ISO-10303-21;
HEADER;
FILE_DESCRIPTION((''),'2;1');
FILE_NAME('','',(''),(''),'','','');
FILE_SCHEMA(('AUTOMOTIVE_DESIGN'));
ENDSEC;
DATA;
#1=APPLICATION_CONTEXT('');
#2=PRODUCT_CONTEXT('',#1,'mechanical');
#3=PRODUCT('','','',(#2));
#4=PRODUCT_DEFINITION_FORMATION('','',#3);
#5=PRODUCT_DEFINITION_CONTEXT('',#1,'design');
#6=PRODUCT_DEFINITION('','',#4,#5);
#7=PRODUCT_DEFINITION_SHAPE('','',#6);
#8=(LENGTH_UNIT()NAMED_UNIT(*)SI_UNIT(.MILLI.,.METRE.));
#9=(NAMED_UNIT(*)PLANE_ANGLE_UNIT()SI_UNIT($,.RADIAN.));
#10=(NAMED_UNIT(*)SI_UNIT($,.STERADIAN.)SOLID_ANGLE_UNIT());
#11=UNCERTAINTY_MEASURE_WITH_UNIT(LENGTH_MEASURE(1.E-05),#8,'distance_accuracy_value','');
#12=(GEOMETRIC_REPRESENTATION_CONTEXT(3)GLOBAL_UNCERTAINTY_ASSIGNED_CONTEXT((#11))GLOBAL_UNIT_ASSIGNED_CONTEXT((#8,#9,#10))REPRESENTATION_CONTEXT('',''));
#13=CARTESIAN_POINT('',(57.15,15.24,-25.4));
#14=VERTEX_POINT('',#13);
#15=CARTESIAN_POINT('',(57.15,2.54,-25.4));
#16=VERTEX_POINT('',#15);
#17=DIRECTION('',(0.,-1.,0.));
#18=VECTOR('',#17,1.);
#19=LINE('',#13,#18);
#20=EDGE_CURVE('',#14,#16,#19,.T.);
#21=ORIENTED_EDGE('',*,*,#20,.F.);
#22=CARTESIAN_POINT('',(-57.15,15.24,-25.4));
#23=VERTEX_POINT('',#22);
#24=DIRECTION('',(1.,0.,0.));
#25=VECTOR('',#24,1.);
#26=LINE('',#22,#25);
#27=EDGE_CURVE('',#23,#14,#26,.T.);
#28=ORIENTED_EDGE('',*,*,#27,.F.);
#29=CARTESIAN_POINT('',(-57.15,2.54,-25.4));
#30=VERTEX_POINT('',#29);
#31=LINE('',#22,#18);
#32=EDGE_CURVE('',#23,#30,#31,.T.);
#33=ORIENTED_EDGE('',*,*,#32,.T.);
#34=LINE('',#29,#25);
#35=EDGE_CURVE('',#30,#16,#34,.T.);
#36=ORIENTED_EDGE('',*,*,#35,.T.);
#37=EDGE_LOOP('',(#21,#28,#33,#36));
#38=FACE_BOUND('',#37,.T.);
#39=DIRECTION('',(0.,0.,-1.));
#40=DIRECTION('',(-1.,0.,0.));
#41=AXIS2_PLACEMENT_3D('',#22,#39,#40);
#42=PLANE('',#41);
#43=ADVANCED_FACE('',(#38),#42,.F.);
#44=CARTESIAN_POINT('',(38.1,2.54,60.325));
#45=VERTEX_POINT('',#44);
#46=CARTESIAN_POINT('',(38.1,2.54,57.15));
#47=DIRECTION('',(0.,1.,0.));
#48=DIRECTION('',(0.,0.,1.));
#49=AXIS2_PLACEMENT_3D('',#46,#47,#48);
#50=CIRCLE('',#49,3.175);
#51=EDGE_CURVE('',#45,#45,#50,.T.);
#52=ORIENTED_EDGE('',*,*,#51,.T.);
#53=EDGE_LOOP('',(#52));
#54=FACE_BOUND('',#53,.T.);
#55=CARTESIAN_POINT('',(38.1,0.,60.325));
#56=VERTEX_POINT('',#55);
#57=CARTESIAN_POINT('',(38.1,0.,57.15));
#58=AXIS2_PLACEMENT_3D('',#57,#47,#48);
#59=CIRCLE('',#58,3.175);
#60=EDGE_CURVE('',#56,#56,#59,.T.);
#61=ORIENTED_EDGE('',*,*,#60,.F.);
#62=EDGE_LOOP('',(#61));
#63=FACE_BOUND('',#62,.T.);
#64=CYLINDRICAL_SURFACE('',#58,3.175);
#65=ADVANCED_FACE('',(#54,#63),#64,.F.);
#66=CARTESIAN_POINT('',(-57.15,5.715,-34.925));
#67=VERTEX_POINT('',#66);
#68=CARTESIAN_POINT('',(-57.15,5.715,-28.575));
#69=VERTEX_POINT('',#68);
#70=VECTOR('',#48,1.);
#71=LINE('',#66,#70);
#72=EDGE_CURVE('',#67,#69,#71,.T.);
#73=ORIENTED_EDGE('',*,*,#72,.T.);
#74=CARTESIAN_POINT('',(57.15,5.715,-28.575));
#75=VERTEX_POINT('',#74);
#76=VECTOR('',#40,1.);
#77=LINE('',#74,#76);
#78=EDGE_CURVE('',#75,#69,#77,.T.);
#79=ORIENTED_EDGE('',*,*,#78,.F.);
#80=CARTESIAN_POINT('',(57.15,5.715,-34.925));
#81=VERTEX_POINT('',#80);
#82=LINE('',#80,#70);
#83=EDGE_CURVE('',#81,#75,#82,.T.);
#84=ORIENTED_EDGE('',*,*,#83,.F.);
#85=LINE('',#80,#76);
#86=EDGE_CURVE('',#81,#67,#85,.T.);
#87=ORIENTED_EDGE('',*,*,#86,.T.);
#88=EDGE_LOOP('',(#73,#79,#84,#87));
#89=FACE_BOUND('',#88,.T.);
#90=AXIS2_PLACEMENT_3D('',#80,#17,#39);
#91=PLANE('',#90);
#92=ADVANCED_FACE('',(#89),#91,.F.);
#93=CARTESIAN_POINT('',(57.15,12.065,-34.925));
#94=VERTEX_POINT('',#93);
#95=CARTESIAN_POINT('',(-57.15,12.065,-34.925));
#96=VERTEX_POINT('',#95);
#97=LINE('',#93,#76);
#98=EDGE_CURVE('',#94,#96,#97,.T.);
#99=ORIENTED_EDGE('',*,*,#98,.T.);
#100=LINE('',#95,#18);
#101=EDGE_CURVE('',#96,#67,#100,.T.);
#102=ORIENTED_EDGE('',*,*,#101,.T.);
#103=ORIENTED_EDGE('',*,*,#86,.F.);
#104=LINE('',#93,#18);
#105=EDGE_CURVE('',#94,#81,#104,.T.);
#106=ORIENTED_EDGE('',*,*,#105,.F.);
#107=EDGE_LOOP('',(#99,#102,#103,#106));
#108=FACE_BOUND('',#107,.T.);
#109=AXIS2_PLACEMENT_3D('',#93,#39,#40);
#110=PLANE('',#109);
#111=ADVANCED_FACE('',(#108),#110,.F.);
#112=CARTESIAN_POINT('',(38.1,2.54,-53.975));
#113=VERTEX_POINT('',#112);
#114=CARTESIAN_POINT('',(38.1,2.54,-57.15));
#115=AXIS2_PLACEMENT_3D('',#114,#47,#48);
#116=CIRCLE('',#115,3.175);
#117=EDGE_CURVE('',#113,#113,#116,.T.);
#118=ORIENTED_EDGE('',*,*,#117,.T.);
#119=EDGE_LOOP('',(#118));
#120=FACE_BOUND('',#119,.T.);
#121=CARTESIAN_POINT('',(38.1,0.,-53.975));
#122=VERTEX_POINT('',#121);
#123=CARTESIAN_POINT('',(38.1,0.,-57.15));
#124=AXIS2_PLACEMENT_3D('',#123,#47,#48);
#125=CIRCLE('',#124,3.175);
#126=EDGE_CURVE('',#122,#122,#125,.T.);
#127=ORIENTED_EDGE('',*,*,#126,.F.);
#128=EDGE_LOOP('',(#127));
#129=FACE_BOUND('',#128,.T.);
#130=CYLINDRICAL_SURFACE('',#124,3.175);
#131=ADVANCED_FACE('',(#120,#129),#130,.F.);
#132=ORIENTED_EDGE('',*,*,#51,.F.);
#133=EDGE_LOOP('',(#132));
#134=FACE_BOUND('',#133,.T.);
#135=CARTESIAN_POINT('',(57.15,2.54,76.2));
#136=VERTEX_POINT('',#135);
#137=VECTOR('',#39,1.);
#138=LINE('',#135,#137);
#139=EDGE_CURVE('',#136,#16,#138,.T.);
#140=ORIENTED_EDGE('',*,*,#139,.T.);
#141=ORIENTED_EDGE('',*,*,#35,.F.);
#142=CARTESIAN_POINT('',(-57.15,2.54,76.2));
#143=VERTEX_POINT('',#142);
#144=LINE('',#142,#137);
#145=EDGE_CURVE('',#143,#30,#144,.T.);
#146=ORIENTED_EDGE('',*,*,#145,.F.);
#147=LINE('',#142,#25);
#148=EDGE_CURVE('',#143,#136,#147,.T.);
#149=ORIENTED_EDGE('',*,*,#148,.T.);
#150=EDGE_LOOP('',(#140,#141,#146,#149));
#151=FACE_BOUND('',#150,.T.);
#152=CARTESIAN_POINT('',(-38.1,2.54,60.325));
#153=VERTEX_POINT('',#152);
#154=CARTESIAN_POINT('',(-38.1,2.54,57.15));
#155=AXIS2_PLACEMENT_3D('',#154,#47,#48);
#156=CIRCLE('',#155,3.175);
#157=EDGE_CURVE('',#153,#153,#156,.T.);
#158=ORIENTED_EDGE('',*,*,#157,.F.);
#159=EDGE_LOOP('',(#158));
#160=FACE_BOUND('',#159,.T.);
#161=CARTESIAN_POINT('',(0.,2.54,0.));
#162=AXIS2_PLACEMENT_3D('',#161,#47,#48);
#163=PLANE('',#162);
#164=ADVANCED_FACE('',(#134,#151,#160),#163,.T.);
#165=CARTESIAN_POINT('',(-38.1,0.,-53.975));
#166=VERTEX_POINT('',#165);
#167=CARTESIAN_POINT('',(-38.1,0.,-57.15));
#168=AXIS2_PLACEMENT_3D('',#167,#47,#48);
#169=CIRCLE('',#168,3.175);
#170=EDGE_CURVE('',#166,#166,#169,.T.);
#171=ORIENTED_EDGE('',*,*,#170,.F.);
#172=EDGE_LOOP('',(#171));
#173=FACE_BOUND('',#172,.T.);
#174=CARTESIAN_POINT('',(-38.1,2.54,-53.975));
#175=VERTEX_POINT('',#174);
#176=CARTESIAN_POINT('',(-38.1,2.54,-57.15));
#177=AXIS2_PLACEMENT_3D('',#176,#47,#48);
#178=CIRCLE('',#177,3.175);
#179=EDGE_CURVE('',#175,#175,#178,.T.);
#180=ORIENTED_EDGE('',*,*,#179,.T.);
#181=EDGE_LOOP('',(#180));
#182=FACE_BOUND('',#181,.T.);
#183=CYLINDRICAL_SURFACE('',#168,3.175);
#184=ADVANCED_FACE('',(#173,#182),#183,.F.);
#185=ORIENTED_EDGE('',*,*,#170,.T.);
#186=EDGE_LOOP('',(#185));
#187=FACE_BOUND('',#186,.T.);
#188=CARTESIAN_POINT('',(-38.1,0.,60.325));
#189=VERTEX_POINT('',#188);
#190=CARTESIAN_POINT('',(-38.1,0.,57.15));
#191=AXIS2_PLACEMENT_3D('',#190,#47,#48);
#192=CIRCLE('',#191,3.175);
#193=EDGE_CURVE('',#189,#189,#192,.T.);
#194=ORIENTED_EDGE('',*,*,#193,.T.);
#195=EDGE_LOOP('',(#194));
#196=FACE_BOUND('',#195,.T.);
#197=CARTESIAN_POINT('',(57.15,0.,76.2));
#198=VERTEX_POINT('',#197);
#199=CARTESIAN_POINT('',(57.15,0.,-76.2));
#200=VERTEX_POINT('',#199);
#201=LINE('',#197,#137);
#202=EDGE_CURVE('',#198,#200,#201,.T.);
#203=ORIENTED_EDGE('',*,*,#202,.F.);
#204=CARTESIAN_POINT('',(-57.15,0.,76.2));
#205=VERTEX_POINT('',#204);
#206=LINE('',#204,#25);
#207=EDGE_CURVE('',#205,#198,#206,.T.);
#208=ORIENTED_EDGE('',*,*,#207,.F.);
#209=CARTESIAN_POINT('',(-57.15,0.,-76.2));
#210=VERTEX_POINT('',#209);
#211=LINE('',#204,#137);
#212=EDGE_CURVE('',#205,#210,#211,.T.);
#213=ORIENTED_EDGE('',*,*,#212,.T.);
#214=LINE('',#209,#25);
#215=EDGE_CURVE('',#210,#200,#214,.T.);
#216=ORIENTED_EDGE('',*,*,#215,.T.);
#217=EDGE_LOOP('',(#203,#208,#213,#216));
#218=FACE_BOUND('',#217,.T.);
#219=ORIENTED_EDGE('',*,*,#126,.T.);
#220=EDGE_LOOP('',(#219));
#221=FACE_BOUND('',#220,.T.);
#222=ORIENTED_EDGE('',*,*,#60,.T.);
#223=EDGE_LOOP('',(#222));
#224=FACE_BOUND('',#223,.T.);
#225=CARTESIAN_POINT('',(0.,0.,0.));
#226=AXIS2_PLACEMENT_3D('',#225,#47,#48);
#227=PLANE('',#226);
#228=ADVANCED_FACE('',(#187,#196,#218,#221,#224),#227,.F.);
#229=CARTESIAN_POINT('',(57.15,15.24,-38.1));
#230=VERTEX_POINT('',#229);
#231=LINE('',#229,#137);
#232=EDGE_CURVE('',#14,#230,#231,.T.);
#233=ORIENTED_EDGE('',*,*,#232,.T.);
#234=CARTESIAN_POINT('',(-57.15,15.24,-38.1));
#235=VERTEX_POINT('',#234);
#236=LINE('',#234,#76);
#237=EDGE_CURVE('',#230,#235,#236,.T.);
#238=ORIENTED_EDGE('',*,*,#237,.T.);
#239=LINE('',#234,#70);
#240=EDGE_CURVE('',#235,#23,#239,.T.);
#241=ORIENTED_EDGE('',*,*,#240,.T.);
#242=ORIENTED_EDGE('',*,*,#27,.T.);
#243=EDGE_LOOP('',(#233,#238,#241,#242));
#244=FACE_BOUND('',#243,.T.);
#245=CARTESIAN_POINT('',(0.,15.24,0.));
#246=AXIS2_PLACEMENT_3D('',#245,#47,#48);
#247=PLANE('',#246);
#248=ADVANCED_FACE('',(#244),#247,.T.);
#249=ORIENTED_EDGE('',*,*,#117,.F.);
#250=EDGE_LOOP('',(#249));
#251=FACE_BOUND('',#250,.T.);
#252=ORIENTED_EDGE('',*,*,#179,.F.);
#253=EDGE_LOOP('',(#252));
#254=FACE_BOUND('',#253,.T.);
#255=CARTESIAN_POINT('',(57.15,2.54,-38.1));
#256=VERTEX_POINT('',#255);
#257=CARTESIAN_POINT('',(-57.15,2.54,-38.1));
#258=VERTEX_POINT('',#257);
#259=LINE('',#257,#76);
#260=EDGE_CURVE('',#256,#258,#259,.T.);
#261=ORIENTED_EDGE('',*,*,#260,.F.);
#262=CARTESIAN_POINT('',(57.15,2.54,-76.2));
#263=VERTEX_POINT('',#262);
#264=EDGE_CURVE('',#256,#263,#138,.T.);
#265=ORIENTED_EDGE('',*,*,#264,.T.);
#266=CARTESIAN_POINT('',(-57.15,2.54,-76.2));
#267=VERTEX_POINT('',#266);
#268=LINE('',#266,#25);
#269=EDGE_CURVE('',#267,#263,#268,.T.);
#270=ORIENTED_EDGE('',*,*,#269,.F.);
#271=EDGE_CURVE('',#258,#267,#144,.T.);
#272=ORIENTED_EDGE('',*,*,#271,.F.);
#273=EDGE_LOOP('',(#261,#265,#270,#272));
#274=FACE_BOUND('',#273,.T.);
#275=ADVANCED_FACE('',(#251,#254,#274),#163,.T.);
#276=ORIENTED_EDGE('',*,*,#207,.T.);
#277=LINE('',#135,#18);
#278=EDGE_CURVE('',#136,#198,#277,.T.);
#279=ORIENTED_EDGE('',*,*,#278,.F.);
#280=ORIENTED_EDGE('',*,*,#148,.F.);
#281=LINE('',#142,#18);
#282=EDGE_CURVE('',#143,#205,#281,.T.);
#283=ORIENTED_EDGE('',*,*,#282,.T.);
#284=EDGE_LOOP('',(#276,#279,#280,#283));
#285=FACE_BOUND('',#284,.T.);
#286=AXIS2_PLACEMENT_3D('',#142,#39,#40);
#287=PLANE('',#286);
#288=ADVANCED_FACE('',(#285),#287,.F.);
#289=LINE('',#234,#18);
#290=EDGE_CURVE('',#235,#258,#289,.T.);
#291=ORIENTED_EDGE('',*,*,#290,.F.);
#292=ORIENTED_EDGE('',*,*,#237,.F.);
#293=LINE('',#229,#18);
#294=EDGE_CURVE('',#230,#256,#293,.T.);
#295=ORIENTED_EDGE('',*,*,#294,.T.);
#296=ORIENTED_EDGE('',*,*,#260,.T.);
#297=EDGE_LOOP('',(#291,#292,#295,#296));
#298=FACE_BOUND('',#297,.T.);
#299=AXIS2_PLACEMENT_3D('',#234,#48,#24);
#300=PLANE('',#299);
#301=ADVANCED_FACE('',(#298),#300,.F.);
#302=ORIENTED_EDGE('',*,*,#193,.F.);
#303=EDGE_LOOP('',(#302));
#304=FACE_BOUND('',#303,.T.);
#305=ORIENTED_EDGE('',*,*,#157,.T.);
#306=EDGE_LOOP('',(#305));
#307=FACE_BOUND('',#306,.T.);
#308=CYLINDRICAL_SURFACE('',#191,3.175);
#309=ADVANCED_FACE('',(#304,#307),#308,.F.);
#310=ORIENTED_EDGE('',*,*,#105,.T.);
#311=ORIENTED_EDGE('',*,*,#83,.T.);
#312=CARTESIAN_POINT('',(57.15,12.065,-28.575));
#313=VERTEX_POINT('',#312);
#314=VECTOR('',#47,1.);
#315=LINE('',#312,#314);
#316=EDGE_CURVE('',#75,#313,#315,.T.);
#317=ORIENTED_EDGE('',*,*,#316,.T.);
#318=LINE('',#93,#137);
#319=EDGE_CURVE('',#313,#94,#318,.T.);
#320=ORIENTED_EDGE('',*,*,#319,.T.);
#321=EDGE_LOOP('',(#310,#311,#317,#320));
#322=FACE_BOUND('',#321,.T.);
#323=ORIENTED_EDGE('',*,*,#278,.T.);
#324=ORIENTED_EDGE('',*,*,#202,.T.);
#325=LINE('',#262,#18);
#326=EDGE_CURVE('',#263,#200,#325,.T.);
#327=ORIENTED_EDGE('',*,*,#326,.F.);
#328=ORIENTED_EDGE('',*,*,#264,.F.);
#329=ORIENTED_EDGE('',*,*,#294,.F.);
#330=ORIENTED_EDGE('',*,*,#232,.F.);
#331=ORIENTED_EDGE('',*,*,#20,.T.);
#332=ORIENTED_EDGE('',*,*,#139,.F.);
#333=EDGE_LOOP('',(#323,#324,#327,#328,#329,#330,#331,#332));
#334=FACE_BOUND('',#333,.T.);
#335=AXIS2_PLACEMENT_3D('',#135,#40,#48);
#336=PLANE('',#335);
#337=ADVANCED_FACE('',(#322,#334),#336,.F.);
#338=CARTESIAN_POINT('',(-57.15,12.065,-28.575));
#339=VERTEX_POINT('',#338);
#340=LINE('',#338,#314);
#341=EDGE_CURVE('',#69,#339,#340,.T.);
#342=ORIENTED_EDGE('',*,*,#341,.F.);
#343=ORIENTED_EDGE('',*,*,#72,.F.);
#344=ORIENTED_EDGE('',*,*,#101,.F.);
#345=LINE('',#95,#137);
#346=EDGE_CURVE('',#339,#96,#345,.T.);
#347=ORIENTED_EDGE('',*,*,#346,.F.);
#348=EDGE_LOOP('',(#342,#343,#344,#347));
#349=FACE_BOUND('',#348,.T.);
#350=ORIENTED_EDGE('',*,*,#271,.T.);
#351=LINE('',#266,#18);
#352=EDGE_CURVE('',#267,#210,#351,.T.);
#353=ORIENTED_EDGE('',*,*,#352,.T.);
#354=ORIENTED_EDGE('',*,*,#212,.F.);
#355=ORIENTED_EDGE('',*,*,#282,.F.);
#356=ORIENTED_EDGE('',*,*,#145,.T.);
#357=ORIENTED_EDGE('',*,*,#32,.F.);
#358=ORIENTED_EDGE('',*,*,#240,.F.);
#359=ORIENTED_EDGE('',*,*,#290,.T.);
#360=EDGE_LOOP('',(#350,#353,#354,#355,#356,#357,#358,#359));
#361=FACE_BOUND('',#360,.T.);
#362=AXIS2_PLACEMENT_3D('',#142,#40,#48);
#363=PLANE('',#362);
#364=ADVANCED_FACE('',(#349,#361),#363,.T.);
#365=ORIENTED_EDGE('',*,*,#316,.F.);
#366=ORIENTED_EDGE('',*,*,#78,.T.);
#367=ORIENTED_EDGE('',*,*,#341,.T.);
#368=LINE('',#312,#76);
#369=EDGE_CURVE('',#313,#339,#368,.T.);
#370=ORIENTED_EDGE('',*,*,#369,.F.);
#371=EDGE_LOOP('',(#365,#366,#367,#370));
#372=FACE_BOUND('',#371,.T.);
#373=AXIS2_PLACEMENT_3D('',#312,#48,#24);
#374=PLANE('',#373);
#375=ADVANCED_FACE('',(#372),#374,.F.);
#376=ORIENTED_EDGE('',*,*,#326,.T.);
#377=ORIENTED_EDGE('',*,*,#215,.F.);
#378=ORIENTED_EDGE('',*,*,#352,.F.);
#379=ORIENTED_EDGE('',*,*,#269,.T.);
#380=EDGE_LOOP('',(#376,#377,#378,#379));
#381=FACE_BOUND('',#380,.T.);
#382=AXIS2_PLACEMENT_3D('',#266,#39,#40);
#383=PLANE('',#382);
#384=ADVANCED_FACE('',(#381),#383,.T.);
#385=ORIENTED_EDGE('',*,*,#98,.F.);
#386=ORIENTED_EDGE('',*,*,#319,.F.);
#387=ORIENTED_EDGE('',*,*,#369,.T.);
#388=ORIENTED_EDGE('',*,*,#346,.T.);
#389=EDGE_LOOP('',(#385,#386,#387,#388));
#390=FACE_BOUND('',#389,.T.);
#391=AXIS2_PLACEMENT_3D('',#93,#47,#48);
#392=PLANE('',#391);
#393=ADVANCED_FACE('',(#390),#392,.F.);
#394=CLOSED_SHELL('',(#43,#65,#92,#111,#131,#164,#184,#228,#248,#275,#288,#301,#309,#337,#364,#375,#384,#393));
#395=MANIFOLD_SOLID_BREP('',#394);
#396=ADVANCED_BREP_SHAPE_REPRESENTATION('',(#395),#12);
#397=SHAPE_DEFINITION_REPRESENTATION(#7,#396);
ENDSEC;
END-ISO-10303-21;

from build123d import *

# Parameters (mm, degrees)
SKETCH1_W           = 114.3
SKETCH1_H           = 152.4
BOSS_EXTRUDE1_DEPTH = 2.54
SKETCH2_W           = 114.3
SKETCH2_H           = 12.7
BOSS_EXTRUDE2_DEPTH = 12.7
SKETCH3_W           = 6.35
SKETCH3_H           = 6.35
CUT_EXTRUDE1_DEPTH  = 115.3
SKETCH4_R           = 3.175
CUT_EXTRUDE2_DEPTH  = 3.54


with BuildPart() as part:
    # Sketch1 → Boss-Extrude1 (new body)
    with BuildSketch(Plane(origin=(0, 0, 0), x_dir=(1, 0, 0), z_dir=(0, 1, 0))):
        Rectangle(SKETCH1_W, SKETCH1_H)
    extrude(amount=BOSS_EXTRUDE1_DEPTH)

    # Sketch2 → Boss-Extrude2 (add)
    with BuildSketch(Plane(origin=(0, 2.54, 0), x_dir=(1, 0, 0), z_dir=(0, 1, 0))):
        with Locations((0, 31.75)):
            Rectangle(SKETCH2_W, SKETCH2_H)
    extrude(amount=BOSS_EXTRUDE2_DEPTH)

    # Sketch3 → Cut-Extrude1 (cut, through all)
    with BuildSketch(Plane.ZY.offset(57.15)):
        with Locations((-31.75, 8.89)):
            Rectangle(SKETCH3_W, SKETCH3_H)
    extrude(amount=-CUT_EXTRUDE1_DEPTH, mode=Mode.SUBTRACT)

    # Sketch4 → Cut-Extrude2 (cut, through all)
    with BuildSketch(Plane(origin=(0, 2.54, 0), x_dir=(1, 0, 0), z_dir=(0, 1, 0))):
        with Locations((-38.1, 57.15)):
            Circle(SKETCH4_R)
        with Locations((38.1, 57.15)):
            Circle(SKETCH4_R)
        with Locations((-38.1, -57.15)):
            Circle(SKETCH4_R)
        with Locations((38.1, -57.15)):
            Circle(SKETCH4_R)
    extrude(amount=-CUT_EXTRUDE2_DEPTH, mode=Mode.SUBTRACT)


solid = part.part
